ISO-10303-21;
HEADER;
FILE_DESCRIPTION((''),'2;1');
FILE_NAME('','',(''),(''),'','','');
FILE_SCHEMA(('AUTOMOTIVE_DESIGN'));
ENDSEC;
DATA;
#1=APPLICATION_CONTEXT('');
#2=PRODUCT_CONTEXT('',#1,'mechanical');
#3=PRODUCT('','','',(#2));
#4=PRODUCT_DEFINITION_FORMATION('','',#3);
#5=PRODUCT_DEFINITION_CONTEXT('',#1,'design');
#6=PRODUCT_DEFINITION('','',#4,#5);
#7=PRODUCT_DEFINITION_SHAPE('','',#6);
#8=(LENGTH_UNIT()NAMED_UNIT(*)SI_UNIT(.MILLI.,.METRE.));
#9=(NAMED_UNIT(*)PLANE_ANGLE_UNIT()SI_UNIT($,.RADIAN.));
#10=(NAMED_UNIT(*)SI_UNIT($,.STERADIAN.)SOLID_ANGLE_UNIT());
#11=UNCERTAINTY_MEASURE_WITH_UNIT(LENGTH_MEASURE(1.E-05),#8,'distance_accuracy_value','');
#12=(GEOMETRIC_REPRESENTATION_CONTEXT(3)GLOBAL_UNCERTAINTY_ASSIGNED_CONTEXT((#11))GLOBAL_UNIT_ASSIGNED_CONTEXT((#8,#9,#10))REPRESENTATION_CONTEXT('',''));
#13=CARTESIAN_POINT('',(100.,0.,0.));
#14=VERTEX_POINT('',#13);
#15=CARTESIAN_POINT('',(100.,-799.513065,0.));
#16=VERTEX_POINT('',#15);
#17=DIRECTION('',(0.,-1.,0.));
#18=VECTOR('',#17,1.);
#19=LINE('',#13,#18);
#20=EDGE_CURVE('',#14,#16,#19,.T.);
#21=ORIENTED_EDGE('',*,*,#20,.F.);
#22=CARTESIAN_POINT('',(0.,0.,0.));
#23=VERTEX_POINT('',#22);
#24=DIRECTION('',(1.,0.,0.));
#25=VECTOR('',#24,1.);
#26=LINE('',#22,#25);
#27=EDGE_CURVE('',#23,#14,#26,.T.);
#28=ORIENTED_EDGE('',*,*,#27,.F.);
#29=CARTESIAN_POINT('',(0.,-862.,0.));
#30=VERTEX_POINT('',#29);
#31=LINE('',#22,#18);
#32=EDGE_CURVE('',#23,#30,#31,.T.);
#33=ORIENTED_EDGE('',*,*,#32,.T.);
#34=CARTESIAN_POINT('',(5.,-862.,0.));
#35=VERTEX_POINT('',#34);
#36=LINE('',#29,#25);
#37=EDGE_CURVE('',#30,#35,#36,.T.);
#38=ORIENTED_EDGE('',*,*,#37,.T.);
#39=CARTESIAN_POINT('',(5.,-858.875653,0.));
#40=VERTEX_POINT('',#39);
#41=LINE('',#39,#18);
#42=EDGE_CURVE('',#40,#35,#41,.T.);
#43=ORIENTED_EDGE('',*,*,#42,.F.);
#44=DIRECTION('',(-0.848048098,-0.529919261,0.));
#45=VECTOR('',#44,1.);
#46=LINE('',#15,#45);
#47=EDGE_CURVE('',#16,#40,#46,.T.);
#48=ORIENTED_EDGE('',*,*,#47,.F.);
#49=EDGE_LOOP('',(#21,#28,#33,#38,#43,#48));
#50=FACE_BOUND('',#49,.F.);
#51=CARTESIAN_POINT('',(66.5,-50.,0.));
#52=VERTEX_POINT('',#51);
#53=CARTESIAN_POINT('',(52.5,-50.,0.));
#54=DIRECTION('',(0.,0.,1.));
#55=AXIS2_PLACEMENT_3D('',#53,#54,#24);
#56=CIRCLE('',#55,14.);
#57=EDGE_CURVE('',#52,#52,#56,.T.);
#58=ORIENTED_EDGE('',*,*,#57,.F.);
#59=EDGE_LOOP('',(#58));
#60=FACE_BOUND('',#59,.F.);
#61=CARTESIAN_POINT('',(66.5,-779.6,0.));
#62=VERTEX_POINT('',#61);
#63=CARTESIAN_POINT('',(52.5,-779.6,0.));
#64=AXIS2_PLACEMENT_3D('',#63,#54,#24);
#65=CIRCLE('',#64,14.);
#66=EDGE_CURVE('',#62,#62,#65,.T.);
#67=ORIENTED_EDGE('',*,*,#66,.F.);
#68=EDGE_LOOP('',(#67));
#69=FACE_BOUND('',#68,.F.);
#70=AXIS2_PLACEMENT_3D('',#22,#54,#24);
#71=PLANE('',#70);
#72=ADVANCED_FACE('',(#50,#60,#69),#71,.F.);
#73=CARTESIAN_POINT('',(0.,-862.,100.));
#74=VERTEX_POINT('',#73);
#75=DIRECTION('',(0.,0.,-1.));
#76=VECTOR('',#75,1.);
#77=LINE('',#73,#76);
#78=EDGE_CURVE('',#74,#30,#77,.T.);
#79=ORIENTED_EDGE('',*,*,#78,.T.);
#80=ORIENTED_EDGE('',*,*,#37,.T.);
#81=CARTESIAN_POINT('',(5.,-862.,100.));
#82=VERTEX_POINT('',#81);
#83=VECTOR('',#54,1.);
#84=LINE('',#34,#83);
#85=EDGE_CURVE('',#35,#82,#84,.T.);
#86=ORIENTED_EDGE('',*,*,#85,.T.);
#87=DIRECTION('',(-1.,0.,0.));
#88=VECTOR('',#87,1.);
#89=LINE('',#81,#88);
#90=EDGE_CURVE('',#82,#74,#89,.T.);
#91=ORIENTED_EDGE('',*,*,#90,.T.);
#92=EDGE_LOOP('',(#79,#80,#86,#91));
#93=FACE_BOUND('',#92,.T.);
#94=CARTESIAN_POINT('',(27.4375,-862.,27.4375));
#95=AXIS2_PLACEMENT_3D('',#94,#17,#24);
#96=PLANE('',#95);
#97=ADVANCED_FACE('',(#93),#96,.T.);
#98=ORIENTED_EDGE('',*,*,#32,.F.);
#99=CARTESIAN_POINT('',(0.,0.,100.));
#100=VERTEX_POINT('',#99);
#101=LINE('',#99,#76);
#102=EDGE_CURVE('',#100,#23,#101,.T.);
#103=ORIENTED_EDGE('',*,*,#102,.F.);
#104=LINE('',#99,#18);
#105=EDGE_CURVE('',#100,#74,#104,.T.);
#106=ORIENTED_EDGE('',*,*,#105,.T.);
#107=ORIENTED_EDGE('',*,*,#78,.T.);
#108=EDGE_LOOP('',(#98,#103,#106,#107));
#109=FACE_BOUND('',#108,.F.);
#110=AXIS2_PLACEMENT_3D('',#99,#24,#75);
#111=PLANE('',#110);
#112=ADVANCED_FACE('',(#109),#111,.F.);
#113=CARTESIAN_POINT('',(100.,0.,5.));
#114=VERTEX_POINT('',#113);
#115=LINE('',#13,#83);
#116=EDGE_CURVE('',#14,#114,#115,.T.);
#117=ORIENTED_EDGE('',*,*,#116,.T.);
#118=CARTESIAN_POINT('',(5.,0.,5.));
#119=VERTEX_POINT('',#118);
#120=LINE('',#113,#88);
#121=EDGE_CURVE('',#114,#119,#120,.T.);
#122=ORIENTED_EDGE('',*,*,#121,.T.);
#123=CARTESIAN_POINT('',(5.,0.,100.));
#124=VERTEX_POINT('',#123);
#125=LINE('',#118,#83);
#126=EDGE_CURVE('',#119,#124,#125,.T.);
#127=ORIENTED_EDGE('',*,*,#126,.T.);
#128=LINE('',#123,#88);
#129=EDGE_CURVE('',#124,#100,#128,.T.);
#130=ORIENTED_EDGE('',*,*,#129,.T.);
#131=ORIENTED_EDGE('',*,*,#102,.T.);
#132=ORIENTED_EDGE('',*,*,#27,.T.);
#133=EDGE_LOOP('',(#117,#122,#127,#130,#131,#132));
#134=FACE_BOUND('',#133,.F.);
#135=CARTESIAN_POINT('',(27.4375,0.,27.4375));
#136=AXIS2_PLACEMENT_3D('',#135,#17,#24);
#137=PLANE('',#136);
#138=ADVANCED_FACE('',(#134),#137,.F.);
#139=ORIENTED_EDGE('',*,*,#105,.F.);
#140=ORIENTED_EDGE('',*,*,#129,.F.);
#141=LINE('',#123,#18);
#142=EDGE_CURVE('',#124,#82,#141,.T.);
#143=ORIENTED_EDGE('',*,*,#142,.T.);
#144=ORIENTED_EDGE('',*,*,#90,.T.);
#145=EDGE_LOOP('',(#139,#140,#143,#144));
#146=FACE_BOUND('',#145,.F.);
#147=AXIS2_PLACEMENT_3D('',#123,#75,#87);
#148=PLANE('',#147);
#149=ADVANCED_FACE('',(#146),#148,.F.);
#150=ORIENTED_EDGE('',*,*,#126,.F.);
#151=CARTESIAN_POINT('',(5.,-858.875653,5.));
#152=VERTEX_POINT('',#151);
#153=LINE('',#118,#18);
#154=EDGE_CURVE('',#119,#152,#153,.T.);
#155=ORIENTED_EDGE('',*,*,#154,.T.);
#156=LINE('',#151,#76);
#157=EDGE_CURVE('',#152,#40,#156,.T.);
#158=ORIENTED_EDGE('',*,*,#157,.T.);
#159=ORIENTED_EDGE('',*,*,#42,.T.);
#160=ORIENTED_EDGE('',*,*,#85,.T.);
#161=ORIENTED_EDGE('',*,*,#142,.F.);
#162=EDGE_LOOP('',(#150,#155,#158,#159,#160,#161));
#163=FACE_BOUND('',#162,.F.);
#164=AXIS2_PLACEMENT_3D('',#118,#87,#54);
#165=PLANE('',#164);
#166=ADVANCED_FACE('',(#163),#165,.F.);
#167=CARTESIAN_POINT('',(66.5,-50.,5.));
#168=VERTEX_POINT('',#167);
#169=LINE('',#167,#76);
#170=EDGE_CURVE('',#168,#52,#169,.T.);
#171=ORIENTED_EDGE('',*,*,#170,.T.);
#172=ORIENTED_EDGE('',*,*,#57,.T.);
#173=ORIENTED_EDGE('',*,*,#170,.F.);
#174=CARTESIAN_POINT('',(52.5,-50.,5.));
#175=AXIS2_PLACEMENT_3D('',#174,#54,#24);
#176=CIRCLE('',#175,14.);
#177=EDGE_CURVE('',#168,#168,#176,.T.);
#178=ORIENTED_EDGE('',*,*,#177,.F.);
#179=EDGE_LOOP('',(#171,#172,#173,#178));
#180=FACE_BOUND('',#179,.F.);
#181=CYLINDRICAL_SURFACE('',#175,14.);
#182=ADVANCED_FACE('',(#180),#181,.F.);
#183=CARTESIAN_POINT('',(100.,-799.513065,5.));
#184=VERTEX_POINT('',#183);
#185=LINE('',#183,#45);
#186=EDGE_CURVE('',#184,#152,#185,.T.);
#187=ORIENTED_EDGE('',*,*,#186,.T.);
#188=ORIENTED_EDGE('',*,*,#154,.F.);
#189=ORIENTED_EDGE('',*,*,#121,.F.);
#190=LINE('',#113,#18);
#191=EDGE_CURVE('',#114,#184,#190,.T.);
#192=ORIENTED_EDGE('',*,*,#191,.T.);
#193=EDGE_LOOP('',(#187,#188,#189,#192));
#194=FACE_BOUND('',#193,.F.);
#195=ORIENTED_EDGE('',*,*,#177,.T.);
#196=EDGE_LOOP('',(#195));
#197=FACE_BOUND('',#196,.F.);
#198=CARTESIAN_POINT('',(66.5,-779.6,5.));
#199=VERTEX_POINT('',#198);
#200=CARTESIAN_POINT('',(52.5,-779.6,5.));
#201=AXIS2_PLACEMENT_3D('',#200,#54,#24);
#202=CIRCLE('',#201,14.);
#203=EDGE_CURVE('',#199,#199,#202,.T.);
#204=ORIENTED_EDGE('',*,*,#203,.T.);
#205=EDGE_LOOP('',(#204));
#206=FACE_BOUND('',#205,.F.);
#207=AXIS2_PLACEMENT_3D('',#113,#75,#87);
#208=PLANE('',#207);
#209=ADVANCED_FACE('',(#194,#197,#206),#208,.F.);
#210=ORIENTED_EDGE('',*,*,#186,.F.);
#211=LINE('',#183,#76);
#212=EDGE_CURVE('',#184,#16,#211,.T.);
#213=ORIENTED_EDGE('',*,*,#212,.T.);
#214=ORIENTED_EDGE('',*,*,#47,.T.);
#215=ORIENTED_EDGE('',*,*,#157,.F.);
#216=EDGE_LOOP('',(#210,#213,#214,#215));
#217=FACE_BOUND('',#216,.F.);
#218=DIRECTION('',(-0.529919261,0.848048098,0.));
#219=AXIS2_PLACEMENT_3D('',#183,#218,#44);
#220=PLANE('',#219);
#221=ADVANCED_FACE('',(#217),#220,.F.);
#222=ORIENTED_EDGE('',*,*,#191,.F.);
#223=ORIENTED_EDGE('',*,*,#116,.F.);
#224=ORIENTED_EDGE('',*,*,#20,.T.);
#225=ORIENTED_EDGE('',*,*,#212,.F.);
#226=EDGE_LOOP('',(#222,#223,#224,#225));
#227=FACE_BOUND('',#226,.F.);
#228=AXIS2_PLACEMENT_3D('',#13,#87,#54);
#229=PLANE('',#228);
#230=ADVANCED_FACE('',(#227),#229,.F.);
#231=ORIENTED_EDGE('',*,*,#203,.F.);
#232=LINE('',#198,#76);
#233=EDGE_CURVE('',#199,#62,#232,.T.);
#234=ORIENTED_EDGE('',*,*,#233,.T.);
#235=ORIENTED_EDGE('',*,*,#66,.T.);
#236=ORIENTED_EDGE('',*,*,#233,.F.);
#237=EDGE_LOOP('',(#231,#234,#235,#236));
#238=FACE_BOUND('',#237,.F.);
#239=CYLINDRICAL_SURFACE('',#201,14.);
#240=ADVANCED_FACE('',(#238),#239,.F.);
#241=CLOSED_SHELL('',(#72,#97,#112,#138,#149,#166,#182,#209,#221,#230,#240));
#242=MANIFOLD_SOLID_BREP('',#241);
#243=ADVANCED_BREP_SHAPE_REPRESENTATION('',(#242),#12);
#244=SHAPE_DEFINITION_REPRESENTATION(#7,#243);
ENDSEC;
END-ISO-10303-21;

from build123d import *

# Parameters (mm, degrees)
F1_DEPTH = 862
F2_R     = 14
F3_DEPTH = 5
F5_DEPTH = 5


with BuildPart() as f1:
    # F0 (on Front) → F1 (new body)
    with BuildSketch(Plane.XZ):
        Polygon((0, 100), (0, 0), (100, 0), (100, 5), (5, 5), (5, 100), align=None)
    extrude(amount=F1_DEPTH)

    # F2 (on face) → F3 (cut, through all)
    with BuildSketch(Plane.XY.offset(5)):
        with Locations((52.5, -50)):
            Circle(F2_R)
        with Locations((52.5, -779.6)):
            Circle(F2_R)
    extrude(amount=-F3_DEPTH, mode=Mode.SUBTRACT)

    # F4 (on face) → F5 (cut)
    with BuildSketch(Plane.XY.offset(5)):
        Polygon((100, -799.513065), (5, -858.875653), (5, -862), (100, -862), align=None)
    extrude(amount=-F5_DEPTH, mode=Mode.SUBTRACT)


solid = f1.part
